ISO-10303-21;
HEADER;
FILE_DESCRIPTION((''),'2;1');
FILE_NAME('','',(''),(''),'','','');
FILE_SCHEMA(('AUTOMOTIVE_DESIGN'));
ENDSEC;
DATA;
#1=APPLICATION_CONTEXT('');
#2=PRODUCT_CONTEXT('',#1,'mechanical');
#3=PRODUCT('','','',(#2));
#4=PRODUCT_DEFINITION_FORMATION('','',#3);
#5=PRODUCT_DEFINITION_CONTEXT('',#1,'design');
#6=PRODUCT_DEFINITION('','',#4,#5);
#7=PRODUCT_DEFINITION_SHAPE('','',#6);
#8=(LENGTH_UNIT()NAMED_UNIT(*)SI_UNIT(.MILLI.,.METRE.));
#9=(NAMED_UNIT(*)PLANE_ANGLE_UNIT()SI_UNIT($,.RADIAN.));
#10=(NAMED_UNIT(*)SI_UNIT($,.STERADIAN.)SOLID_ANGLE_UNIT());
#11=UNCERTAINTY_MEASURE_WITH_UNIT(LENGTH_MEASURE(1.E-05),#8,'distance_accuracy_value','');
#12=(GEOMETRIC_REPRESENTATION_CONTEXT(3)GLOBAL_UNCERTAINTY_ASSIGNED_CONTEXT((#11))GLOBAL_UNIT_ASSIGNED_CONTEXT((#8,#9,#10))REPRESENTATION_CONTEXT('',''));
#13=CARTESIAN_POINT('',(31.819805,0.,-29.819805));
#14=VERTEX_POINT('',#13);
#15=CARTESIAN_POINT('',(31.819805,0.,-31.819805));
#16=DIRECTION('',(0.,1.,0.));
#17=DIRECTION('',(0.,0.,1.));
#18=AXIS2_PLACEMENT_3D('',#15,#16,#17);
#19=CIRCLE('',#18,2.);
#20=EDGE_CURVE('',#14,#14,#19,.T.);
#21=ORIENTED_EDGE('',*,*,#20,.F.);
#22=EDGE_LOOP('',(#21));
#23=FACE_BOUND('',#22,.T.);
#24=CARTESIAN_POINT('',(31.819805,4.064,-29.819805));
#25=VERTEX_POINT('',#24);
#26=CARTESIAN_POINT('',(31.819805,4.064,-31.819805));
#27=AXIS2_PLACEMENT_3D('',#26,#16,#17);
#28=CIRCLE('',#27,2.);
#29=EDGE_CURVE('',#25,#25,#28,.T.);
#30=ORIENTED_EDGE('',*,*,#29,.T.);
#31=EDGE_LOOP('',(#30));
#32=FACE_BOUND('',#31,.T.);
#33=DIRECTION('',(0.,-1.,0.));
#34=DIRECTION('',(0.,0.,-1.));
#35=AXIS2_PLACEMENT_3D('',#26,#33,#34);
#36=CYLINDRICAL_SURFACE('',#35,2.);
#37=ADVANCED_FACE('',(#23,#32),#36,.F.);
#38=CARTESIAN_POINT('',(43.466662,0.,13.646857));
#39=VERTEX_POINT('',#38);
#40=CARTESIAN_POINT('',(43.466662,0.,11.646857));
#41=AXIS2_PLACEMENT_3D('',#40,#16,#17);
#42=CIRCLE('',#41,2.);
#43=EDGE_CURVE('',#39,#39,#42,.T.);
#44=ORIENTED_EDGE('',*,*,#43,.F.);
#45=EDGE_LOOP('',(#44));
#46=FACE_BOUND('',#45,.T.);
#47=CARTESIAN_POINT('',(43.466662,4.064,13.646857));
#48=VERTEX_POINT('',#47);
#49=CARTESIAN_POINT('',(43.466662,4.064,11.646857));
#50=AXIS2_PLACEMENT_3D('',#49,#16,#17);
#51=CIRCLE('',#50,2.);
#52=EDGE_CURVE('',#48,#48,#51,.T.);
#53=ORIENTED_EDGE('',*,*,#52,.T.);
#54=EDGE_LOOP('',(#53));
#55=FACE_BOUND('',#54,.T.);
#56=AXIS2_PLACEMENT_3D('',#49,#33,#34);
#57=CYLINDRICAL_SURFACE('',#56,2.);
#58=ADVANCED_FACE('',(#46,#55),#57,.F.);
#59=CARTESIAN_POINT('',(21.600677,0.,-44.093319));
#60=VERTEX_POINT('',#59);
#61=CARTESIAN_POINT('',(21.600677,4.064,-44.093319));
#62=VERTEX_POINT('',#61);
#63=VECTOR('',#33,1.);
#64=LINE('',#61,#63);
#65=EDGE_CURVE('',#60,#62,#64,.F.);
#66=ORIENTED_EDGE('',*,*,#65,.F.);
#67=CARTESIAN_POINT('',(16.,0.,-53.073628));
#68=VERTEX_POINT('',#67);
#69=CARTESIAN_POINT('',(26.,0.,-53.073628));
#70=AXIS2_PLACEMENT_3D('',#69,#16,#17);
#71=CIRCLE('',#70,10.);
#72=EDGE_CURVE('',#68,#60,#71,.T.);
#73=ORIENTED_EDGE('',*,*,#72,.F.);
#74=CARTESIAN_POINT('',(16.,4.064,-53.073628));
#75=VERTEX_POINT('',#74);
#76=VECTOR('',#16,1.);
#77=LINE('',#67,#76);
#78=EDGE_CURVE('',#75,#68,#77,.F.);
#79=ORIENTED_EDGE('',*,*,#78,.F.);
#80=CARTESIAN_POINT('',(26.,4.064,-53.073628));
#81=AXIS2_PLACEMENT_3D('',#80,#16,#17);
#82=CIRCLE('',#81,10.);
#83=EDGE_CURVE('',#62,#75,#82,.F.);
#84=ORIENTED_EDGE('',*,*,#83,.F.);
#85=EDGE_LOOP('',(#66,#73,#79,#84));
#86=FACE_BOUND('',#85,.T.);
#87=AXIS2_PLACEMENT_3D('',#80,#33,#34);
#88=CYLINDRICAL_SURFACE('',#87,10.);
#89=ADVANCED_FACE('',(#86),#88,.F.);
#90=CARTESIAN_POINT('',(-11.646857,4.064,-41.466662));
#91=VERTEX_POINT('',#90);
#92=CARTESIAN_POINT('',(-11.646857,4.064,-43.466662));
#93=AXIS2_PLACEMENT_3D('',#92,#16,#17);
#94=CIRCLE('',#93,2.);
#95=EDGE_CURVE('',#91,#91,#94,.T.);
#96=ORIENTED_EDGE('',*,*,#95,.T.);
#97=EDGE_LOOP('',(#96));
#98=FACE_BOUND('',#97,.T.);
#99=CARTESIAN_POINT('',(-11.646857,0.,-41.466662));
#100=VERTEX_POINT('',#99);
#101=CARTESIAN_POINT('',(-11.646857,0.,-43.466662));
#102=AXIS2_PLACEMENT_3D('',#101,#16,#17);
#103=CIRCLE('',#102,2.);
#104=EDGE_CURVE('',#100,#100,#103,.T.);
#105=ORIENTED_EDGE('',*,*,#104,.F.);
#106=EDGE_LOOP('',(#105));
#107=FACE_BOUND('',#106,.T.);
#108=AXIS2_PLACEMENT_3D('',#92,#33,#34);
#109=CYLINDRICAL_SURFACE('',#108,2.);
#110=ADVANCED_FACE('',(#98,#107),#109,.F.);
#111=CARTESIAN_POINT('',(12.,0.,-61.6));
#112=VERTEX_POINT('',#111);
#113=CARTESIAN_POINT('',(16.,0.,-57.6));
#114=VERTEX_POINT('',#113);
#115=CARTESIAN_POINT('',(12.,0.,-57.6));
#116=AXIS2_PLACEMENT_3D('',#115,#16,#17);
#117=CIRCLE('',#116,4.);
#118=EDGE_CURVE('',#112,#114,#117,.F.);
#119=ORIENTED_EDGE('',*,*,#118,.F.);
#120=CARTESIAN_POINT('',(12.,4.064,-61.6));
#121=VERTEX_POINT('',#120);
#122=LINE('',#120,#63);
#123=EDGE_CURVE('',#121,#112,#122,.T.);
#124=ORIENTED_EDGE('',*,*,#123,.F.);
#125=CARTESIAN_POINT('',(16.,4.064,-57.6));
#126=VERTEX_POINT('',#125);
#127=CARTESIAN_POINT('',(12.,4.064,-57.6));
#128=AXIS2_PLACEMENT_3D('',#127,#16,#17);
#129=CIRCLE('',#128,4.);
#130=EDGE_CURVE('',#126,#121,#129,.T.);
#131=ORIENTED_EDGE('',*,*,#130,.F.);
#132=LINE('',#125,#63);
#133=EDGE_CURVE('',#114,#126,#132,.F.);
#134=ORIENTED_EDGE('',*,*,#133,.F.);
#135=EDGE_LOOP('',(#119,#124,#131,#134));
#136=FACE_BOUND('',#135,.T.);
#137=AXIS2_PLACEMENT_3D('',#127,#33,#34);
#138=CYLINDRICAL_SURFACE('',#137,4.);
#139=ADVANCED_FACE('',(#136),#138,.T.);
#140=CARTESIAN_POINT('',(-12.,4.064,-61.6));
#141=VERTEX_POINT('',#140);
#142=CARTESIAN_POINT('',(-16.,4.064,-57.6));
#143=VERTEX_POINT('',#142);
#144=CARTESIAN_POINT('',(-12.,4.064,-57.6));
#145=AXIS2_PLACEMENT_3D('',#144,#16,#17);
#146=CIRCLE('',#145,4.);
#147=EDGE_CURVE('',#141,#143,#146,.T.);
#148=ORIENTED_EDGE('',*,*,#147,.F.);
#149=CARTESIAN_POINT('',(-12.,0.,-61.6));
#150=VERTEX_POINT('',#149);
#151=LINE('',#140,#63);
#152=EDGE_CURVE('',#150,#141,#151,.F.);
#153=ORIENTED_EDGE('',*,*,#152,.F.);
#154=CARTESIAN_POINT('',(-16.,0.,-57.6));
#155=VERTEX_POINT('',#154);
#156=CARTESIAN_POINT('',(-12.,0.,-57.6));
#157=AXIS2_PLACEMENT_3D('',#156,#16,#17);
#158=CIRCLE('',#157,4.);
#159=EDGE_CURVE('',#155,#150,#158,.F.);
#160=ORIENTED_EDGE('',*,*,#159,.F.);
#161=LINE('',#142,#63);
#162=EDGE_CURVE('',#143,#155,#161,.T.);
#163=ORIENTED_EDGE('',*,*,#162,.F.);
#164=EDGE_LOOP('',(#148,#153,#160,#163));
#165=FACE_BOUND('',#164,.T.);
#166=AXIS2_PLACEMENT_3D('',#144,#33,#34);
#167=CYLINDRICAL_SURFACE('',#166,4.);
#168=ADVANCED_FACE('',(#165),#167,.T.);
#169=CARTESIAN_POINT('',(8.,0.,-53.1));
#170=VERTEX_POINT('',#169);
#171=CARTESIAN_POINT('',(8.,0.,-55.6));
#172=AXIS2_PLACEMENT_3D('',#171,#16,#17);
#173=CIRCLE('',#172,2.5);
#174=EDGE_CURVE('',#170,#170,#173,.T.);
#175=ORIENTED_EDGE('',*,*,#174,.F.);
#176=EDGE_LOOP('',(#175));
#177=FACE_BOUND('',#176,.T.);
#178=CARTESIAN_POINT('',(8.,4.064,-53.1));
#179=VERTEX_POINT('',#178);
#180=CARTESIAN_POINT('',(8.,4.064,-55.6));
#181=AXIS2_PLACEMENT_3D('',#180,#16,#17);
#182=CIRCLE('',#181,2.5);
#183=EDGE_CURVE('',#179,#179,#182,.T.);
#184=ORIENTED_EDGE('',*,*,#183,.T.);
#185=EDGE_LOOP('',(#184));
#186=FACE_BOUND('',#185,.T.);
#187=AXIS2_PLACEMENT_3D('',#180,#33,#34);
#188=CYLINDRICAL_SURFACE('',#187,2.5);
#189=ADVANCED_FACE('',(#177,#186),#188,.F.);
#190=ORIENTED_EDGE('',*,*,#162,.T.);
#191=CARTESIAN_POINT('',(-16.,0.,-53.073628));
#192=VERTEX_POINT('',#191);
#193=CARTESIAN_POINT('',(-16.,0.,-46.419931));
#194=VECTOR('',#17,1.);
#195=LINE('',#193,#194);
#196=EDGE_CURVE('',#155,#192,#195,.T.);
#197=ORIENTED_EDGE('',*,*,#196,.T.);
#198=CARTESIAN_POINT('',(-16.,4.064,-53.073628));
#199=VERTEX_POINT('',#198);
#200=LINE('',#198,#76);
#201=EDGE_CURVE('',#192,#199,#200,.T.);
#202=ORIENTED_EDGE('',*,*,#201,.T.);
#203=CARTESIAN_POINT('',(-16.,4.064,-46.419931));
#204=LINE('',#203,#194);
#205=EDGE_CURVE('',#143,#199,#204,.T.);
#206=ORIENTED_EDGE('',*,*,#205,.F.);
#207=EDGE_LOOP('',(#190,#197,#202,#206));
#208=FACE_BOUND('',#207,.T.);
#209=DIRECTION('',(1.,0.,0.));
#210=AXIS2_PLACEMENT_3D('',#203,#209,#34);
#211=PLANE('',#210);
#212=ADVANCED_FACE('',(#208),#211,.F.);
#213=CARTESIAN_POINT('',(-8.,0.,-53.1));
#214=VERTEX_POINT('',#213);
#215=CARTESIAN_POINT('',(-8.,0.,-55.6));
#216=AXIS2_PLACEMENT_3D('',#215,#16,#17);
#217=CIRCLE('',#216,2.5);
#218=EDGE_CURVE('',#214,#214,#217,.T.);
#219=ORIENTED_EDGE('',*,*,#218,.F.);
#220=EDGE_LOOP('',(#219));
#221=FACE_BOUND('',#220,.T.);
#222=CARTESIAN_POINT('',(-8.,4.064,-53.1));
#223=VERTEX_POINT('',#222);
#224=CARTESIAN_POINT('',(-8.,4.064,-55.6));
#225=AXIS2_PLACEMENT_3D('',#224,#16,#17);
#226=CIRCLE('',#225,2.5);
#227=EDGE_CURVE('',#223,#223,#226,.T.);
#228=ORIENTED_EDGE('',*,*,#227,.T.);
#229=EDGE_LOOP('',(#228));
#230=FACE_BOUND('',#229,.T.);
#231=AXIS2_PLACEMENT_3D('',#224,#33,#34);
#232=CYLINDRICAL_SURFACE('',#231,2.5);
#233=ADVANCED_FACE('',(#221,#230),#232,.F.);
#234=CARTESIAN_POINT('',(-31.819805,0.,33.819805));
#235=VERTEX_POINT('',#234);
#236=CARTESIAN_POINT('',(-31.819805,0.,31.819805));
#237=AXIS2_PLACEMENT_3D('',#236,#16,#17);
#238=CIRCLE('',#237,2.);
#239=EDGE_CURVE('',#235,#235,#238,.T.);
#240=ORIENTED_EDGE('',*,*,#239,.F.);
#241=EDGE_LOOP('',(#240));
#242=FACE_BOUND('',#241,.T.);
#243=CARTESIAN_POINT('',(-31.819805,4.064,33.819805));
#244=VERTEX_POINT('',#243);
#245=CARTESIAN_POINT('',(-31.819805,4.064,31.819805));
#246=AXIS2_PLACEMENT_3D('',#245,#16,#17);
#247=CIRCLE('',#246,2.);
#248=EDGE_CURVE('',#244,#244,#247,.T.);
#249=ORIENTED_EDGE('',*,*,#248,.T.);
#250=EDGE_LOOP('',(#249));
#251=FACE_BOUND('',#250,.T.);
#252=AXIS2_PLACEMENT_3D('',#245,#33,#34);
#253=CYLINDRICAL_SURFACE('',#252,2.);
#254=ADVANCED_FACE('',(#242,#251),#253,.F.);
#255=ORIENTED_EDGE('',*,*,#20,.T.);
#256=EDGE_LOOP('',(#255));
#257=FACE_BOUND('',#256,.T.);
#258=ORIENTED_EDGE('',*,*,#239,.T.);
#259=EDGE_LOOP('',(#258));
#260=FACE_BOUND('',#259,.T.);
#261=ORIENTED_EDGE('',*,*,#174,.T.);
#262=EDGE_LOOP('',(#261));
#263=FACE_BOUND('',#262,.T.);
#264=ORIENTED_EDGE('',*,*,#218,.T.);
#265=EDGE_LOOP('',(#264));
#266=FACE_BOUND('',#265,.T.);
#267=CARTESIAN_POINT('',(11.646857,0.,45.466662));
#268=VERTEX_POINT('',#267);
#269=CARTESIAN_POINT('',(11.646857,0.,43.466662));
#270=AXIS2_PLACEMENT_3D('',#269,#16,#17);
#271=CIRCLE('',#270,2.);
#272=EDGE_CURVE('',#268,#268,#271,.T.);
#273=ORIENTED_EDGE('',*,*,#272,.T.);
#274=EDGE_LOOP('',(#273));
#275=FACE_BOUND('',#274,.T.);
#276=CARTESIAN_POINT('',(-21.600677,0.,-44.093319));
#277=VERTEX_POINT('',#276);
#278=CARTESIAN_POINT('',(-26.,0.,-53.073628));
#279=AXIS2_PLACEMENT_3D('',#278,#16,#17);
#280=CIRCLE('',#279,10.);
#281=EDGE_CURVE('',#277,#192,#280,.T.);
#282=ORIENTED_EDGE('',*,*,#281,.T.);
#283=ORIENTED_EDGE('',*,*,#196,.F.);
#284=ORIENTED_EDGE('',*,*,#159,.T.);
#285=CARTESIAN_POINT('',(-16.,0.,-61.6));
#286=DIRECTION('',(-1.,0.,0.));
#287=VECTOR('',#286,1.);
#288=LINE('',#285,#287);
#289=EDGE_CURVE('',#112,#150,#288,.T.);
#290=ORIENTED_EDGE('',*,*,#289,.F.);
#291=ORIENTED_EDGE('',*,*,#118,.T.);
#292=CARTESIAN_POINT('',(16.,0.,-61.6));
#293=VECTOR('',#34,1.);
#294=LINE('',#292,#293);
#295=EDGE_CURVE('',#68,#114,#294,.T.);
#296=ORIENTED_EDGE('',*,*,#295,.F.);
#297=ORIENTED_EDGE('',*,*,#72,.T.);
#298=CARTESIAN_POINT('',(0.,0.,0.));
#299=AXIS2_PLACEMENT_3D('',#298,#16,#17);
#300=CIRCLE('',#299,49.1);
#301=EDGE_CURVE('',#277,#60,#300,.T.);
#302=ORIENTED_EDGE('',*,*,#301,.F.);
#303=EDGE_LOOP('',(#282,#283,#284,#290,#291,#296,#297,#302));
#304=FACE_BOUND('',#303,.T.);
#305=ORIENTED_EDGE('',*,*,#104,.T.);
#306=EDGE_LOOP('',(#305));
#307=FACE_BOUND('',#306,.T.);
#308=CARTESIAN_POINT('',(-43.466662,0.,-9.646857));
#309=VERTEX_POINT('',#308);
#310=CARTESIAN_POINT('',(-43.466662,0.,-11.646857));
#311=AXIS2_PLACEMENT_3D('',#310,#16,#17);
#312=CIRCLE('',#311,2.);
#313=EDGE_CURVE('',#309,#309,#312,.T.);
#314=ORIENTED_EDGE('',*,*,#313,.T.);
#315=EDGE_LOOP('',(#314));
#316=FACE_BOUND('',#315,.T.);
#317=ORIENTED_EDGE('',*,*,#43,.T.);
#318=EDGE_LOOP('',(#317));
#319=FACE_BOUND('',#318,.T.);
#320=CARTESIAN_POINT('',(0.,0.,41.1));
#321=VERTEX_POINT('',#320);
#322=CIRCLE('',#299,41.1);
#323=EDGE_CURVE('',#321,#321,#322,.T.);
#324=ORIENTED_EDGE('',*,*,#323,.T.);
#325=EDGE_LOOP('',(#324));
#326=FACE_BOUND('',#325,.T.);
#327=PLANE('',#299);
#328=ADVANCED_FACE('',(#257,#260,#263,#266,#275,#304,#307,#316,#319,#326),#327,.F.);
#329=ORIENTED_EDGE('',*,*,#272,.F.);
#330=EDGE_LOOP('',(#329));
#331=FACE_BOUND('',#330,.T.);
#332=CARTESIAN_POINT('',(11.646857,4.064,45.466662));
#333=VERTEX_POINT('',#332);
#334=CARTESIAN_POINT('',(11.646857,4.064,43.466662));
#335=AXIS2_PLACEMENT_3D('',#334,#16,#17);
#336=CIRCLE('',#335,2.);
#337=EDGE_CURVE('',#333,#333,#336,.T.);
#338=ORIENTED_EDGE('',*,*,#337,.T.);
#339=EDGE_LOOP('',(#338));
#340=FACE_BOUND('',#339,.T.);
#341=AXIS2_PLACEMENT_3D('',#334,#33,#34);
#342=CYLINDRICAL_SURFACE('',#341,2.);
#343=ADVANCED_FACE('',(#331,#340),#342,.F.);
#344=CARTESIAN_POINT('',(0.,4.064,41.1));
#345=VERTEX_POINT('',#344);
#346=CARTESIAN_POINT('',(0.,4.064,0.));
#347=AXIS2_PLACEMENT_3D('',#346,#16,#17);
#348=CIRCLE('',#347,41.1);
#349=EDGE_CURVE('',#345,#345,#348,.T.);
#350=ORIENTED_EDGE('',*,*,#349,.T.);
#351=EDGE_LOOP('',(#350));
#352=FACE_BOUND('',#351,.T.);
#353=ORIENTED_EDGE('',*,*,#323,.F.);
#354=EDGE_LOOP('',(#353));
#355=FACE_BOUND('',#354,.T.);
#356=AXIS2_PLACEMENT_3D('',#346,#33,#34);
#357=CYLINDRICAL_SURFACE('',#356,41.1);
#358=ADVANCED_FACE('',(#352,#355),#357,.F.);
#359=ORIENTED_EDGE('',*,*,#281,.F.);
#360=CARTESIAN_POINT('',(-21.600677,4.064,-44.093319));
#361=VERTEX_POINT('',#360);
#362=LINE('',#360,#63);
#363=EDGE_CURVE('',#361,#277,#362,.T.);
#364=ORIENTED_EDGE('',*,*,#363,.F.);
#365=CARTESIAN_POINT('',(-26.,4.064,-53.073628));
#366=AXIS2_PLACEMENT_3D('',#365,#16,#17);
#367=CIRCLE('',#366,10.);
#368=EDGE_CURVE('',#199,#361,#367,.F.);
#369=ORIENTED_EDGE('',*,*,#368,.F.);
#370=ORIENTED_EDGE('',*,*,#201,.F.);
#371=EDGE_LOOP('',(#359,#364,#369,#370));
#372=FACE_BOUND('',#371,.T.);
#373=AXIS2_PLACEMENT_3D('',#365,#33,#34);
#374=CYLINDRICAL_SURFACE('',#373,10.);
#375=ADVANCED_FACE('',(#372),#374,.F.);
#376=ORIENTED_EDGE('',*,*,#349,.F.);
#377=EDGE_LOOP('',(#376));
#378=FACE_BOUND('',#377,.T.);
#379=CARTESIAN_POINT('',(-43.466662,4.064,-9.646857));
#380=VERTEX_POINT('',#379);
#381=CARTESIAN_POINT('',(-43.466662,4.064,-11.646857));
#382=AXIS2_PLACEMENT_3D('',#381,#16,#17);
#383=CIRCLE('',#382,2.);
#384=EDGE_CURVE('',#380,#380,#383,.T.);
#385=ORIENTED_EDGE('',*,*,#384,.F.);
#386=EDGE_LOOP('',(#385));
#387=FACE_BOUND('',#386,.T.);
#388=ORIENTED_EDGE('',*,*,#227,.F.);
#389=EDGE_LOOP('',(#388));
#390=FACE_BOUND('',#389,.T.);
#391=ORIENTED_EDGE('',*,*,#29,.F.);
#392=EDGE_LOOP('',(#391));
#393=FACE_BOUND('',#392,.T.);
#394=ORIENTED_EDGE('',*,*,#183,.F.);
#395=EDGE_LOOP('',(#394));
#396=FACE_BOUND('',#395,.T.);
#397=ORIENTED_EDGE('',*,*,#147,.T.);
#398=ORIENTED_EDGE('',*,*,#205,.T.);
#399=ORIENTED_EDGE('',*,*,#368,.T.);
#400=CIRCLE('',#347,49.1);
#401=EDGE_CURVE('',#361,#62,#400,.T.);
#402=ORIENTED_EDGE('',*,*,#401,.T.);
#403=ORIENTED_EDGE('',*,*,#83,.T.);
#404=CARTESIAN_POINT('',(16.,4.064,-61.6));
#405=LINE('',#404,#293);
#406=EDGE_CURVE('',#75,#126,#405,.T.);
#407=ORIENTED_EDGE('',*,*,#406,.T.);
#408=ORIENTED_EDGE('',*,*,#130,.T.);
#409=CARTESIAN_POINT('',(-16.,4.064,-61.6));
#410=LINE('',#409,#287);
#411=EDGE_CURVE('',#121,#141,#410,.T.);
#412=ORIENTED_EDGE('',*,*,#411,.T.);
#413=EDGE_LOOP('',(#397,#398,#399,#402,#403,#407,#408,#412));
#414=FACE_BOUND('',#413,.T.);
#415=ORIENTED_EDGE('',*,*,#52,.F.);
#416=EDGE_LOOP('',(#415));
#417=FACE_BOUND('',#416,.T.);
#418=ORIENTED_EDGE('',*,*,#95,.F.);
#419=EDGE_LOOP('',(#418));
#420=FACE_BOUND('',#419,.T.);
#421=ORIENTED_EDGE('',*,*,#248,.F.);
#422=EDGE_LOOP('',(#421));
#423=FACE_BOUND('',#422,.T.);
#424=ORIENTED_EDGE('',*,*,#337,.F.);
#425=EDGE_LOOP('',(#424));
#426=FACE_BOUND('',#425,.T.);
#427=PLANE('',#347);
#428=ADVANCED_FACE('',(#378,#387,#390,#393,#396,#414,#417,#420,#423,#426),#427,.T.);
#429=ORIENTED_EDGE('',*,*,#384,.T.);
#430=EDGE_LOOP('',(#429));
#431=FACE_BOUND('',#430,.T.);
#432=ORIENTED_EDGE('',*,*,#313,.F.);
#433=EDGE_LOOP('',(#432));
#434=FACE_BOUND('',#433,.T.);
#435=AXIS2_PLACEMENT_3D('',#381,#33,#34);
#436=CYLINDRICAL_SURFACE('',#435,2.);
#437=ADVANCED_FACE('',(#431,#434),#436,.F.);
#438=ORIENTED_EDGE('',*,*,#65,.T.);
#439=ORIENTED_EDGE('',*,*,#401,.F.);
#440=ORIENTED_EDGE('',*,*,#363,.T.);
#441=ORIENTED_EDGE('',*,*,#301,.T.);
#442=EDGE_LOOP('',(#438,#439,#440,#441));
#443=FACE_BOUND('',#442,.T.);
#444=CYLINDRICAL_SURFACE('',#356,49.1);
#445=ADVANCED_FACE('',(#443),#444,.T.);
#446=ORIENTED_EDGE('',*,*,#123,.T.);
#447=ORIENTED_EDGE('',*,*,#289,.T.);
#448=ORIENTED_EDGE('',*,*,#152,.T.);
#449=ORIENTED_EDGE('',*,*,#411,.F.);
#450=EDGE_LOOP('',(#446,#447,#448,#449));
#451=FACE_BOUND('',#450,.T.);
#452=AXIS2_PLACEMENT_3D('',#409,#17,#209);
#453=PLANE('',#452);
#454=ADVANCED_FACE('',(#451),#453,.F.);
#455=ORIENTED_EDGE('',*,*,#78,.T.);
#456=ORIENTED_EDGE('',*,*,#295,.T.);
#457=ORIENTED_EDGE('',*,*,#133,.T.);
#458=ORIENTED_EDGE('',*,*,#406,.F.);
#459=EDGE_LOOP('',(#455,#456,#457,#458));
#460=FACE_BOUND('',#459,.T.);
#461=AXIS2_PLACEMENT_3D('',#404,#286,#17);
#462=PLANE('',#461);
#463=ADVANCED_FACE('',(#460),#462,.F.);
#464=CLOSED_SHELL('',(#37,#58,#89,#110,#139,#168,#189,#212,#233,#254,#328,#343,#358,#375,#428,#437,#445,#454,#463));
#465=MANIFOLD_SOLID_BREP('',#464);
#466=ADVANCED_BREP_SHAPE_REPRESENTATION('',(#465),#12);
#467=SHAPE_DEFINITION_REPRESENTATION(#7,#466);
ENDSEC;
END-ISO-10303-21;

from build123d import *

# Parameters (mm, degrees)
SKETCH1_R           = 41.1
SKETCH1_R_2         = 2
SKETCH1_R_3         = 2.5
BOSS_EXTRUDE2_DEPTH = 4.064
FILLET1_R           = 4
FILLET2_R           = 10


with BuildPart() as part:
    # Sketch1 → Boss-Extrude2 (new body)
    with BuildSketch(Plane(origin=(0, 0, 0), x_dir=(1, 0, 0), z_dir=(0, 1, 0))):
        with BuildLine():
            Line((-16, 46.419931064), (-16, 61.6))
            Line((-16, 61.6), (16, 61.6))
            Line((16, 61.6), (16, 46.419931064))
            ThreePointArc((16, 46.419931064), (0, -49.1), (-16, 46.419931064))
        make_face()
        with Locations(Location((0, 0, 0), (0, 0, 270))):
            Circle(SKETCH1_R, mode=Mode.SUBTRACT)
        with Locations(Location((-11.64685703, 43.466662183, 0), (0, 0, 270))):
            Circle(SKETCH1_R_2, mode=Mode.SUBTRACT)
        with Locations(Location((31.819805153, 31.819805153, 0), (0, 0, 270))):
            Circle(SKETCH1_R_2, mode=Mode.SUBTRACT)
        with Locations(Location((43.466662183, -11.64685703, 0), (0, 0, 270))):
            Circle(SKETCH1_R_2, mode=Mode.SUBTRACT)
        with Locations(Location((11.64685703, -43.466662183, 0), (0, 0, 270))):
            Circle(SKETCH1_R_2, mode=Mode.SUBTRACT)
        with Locations(Location((-31.819805153, -31.819805153, 0), (0, 0, 270))):
            Circle(SKETCH1_R_2, mode=Mode.SUBTRACT)
        with Locations(Location((-43.466662183, 11.64685703, 0), (0, 0, 270))):
            Circle(SKETCH1_R_2, mode=Mode.SUBTRACT)
        with Locations(Location((-8, 55.6, 0), (0, 0, 270))):
            Circle(SKETCH1_R_3, mode=Mode.SUBTRACT)
        with Locations(Location((8, 55.6, 0), (0, 0, 270))):
            Circle(SKETCH1_R_3, mode=Mode.SUBTRACT)
    extrude(amount=BOSS_EXTRUDE2_DEPTH)

    # Fillet1
    fillet1_edges = [part.edges().sort_by_distance(p)[0] for p in [
        (-16, 2.032, -61.6),
        (16, 2.032, -61.6),
    ]]
    fillet(fillet1_edges, radius=FILLET1_R)

    # Fillet2
    fillet2_edges = [part.edges().sort_by_distance(p)[0] for p in [
        (16, 2.032, -46.419931064),
        (-16, 2.032, -46.419931064),
    ]]
    fillet(fillet2_edges, radius=FILLET2_R)


solid = part.part
